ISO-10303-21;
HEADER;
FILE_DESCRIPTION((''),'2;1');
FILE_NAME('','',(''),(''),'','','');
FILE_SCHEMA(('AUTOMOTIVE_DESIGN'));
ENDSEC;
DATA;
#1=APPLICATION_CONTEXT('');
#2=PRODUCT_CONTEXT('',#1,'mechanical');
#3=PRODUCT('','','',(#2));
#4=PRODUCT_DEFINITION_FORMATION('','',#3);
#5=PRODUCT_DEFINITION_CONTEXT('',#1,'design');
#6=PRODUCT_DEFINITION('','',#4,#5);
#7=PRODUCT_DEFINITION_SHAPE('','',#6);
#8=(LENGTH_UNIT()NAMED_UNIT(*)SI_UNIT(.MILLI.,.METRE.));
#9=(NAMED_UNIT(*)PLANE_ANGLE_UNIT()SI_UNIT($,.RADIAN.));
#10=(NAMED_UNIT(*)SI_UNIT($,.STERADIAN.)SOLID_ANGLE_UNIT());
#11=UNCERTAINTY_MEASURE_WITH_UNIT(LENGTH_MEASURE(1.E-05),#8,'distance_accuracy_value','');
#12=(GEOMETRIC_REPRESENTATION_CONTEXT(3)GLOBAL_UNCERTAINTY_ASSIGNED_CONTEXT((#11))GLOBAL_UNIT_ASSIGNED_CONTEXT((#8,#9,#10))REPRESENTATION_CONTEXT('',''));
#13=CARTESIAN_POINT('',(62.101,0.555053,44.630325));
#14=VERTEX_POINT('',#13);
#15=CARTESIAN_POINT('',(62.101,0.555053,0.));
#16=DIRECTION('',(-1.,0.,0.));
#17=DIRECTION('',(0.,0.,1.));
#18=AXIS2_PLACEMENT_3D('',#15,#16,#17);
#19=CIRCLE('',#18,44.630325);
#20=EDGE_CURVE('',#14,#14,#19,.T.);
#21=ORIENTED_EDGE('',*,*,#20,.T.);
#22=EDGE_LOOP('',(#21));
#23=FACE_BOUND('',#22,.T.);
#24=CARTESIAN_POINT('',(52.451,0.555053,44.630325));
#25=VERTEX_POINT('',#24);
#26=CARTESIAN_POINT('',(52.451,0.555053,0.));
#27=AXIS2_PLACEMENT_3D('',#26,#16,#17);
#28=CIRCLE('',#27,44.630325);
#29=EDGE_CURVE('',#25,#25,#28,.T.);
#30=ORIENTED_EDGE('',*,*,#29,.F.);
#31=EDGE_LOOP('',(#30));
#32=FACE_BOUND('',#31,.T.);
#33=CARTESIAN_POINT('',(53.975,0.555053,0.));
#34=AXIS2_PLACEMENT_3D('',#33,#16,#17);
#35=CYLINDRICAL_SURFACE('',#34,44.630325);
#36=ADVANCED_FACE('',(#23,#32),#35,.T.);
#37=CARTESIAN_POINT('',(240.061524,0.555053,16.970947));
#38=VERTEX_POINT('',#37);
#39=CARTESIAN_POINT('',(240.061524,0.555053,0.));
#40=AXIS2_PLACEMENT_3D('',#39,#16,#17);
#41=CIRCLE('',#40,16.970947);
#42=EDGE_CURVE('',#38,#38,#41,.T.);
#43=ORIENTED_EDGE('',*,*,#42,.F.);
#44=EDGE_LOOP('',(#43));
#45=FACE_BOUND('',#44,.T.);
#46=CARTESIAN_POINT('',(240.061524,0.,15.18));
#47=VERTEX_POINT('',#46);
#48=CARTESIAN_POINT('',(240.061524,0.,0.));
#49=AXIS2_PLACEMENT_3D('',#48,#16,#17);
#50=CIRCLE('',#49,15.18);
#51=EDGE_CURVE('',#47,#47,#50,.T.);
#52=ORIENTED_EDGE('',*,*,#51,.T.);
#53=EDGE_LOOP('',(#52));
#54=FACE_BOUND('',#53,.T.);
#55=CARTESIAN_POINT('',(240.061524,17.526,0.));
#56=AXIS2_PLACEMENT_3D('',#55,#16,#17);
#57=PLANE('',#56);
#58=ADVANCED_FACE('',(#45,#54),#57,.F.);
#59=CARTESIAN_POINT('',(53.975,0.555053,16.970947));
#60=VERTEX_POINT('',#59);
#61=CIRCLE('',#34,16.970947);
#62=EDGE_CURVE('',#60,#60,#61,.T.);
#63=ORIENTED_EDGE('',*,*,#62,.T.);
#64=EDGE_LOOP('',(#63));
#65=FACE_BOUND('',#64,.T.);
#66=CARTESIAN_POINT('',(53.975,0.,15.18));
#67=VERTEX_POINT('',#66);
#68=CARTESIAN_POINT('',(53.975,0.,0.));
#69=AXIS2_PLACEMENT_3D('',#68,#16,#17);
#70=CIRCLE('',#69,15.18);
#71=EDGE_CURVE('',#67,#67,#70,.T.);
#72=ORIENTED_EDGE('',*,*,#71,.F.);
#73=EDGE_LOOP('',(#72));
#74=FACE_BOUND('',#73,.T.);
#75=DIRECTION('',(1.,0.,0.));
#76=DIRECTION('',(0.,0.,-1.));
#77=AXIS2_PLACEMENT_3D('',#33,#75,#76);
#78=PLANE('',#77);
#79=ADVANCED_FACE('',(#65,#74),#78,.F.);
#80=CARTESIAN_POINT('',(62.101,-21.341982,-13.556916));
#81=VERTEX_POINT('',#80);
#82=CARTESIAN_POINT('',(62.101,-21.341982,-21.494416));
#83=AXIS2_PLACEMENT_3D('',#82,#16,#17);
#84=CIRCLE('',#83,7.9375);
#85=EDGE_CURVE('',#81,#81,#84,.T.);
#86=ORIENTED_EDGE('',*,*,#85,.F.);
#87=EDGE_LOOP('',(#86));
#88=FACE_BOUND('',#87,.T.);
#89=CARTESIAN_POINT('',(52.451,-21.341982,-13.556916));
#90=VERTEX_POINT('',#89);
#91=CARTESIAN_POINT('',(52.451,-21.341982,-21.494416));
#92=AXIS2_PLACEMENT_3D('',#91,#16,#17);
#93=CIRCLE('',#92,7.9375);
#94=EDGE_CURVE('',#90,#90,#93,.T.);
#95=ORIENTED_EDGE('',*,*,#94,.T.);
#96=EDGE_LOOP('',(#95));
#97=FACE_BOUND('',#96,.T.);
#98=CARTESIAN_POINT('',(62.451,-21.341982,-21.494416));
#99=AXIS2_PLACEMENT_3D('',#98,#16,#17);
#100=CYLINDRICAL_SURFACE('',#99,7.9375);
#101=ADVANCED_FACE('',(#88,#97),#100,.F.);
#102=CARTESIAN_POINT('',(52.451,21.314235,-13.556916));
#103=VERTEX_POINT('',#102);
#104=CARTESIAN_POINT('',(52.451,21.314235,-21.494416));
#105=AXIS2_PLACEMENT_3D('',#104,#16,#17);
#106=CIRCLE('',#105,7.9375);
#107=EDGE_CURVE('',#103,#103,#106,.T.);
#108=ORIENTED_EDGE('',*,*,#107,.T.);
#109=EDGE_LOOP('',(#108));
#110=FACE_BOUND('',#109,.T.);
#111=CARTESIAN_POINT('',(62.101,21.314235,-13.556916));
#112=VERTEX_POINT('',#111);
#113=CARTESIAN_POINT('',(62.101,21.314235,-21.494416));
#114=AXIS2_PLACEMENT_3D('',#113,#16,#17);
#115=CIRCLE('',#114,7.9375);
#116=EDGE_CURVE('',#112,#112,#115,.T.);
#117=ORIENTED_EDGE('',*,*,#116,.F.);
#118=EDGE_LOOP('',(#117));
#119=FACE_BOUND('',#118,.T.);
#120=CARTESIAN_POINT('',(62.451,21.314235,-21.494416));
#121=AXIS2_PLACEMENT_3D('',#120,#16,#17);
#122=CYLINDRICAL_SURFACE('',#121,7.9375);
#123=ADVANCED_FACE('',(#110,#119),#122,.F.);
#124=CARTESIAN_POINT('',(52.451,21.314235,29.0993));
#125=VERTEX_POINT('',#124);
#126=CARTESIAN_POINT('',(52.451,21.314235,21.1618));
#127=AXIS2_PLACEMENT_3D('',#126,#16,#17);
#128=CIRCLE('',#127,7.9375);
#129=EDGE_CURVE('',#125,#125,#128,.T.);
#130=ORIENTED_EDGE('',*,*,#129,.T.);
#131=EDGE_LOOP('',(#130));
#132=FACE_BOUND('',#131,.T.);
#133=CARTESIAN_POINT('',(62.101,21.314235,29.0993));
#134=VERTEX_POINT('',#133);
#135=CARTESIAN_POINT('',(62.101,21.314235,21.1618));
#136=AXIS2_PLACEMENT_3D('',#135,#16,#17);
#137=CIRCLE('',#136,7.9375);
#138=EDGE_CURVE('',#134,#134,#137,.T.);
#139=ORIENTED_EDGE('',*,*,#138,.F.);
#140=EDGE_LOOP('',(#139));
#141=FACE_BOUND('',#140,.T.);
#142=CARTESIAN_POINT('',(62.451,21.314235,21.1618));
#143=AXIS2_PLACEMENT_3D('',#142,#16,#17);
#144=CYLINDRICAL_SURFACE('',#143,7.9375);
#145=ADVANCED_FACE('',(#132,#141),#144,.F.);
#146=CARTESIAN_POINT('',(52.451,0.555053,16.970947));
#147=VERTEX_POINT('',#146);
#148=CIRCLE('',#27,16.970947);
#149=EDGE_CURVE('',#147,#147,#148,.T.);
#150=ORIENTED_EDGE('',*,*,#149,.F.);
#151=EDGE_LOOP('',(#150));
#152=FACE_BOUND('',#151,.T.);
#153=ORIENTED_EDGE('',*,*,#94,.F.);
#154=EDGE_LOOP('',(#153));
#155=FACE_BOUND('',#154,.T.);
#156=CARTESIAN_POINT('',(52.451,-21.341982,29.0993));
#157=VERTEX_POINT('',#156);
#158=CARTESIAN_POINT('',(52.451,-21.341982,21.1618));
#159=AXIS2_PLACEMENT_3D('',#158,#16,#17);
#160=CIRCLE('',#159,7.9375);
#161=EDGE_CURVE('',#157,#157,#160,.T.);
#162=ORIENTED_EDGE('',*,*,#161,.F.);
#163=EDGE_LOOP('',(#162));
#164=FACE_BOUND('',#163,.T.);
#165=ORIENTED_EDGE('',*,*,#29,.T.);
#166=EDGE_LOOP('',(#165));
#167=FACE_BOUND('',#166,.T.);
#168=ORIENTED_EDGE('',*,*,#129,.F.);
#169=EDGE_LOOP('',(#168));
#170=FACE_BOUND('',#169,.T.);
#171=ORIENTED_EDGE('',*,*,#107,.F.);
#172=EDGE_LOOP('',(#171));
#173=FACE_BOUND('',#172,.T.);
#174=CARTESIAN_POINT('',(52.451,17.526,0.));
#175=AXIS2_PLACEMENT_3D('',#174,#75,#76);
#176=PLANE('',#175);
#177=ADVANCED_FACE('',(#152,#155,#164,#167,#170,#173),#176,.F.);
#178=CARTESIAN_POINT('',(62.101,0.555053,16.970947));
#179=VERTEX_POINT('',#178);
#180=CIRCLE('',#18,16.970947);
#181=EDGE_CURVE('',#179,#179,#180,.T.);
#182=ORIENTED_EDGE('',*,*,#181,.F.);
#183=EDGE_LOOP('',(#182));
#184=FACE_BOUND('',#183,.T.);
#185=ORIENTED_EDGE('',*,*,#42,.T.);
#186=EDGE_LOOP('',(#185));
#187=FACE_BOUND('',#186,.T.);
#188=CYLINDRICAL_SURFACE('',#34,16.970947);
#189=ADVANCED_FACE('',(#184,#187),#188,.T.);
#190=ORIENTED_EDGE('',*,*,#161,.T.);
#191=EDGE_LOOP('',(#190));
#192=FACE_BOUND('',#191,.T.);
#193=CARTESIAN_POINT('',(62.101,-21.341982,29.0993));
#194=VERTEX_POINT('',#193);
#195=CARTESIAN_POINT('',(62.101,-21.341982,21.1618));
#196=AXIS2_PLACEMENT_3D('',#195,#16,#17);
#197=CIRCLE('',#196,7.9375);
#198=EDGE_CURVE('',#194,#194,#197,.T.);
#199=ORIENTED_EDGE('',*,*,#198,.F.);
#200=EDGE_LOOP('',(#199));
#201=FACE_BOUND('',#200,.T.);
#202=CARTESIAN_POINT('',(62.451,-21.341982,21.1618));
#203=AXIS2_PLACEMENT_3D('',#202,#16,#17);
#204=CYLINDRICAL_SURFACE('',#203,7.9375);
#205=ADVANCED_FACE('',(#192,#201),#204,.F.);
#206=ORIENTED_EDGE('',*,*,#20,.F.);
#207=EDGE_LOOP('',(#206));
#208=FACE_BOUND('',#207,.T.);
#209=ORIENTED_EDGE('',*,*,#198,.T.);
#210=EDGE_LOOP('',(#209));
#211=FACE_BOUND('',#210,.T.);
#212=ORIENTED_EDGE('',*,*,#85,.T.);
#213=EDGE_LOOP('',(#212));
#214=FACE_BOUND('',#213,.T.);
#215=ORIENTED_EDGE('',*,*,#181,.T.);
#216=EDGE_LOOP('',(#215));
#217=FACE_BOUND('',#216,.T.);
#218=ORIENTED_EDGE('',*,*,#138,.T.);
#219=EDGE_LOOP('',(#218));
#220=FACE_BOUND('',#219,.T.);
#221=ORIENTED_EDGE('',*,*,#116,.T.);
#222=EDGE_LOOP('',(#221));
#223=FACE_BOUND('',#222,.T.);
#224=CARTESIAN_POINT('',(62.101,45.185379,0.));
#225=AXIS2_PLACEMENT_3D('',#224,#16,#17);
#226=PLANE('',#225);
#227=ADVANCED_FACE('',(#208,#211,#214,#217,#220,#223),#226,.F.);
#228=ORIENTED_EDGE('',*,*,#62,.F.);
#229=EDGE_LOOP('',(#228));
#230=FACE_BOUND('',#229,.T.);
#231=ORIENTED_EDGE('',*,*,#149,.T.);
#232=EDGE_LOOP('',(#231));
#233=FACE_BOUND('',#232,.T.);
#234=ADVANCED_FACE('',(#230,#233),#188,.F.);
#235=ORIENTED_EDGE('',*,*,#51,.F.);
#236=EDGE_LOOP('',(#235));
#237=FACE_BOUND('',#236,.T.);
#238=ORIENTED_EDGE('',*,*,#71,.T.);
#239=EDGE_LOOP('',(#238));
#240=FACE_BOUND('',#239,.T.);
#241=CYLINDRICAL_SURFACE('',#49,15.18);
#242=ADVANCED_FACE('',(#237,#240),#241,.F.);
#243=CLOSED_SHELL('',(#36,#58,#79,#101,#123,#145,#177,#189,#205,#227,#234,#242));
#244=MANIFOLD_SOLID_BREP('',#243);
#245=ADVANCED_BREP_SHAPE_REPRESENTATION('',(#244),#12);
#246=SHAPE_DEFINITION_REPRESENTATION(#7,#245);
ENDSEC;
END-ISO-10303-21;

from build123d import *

# Parameters (mm, degrees)
SKETCH3_R          = 15.18
CUT_EXTRUDE1_DEPTH = 187.086523502
SKETCH5_R          = 7.9375
CUT_EXTRUDE2_DEPTH = 10


with BuildPart() as part:
    # Sketch1 → Revolve1 (revolve)
    with BuildSketch(Plane.XY):
        Polygon((53.975, 0.555053367), (53.975, 11.176), (53.975, 17.526), (52.451, 17.526), (52.451, 45.185378607), (62.101, 45.185378607), (62.101, 17.526), (240.061523502, 17.526), (240.061523502, 0.555053367), align=None)
    revolve(axis=Axis((53.975, 0.555053367, 0), (1, 0, 0)))

    # Sketch3 → Cut-Extrude1 (cut, through all)
    with BuildSketch(Plane.ZY.offset(-53.975)):
        Circle(SKETCH3_R)
    extrude(amount=-CUT_EXTRUDE1_DEPTH, mode=Mode.SUBTRACT)

    # Sketch5 → Cut-Extrude2 (cut)
    with BuildSketch(Plane.ZY.offset(-52.451)):
        with Locations((-21.49441643, 21.314234902)):
            Circle(SKETCH5_R)
        with Locations((-21.49441643, -21.341981673)):
            Circle(SKETCH5_R)
        with Locations((21.161800145, 21.314234902)):
            Circle(SKETCH5_R)
        with Locations((21.161800145, -21.341981673)):
            Circle(SKETCH5_R)
    extrude(amount=-CUT_EXTRUDE2_DEPTH, mode=Mode.SUBTRACT)


solid = part.part
